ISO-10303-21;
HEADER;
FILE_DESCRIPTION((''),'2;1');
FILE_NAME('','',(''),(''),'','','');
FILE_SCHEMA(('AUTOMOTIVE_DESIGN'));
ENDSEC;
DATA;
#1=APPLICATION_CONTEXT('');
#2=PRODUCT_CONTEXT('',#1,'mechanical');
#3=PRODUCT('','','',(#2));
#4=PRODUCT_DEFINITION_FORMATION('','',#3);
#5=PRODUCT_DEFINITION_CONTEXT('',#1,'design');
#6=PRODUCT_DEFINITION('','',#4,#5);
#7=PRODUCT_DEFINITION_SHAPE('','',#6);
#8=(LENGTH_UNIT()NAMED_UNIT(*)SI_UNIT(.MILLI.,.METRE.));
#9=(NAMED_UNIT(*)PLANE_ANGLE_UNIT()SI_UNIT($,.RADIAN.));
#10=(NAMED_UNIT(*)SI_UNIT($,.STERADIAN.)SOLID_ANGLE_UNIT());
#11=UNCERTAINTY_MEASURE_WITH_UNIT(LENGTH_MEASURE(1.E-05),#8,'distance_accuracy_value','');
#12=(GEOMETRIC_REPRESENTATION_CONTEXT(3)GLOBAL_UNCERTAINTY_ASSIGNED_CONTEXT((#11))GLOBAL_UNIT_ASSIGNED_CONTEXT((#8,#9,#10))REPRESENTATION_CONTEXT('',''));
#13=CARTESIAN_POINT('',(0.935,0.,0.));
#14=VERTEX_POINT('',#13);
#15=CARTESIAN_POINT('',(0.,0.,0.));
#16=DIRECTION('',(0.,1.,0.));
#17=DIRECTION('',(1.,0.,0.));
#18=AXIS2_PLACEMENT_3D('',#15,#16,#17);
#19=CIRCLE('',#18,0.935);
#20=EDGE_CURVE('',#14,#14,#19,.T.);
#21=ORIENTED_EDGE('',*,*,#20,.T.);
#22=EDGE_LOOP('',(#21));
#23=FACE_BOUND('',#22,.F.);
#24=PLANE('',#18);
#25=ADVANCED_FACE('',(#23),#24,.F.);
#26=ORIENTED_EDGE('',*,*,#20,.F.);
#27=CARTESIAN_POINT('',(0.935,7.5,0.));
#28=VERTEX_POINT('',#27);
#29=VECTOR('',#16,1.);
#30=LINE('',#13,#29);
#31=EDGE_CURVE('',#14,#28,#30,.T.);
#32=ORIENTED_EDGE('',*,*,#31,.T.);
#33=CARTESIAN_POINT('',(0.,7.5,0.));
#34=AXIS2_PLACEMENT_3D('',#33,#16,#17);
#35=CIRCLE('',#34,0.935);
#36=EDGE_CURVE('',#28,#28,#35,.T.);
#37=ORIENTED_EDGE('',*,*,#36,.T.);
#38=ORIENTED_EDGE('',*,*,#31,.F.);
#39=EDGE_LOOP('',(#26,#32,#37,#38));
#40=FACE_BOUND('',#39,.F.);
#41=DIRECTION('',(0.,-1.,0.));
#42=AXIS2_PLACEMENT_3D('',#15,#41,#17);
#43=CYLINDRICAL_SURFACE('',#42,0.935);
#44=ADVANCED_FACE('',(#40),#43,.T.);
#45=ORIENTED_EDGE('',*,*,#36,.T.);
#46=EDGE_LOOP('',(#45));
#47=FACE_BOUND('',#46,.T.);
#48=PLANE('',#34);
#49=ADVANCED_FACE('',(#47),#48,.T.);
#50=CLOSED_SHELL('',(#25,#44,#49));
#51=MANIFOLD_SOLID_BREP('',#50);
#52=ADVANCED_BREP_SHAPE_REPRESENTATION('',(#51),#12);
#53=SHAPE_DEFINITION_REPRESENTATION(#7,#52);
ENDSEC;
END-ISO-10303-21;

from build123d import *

# Parameters (mm, degrees)
SKETCH3_R           = 0.935
BOSS_EXTRUDE1_DEPTH = 7.5


with BuildPart() as part:
    # Sketch3 → Boss-Extrude1 (new body)
    with BuildSketch(Plane(origin=(0, 0, 0), x_dir=(1, 0, 0), z_dir=(0, 1, 0))):
        Circle(SKETCH3_R)
    extrude(amount=BOSS_EXTRUDE1_DEPTH)


solid = part.part
